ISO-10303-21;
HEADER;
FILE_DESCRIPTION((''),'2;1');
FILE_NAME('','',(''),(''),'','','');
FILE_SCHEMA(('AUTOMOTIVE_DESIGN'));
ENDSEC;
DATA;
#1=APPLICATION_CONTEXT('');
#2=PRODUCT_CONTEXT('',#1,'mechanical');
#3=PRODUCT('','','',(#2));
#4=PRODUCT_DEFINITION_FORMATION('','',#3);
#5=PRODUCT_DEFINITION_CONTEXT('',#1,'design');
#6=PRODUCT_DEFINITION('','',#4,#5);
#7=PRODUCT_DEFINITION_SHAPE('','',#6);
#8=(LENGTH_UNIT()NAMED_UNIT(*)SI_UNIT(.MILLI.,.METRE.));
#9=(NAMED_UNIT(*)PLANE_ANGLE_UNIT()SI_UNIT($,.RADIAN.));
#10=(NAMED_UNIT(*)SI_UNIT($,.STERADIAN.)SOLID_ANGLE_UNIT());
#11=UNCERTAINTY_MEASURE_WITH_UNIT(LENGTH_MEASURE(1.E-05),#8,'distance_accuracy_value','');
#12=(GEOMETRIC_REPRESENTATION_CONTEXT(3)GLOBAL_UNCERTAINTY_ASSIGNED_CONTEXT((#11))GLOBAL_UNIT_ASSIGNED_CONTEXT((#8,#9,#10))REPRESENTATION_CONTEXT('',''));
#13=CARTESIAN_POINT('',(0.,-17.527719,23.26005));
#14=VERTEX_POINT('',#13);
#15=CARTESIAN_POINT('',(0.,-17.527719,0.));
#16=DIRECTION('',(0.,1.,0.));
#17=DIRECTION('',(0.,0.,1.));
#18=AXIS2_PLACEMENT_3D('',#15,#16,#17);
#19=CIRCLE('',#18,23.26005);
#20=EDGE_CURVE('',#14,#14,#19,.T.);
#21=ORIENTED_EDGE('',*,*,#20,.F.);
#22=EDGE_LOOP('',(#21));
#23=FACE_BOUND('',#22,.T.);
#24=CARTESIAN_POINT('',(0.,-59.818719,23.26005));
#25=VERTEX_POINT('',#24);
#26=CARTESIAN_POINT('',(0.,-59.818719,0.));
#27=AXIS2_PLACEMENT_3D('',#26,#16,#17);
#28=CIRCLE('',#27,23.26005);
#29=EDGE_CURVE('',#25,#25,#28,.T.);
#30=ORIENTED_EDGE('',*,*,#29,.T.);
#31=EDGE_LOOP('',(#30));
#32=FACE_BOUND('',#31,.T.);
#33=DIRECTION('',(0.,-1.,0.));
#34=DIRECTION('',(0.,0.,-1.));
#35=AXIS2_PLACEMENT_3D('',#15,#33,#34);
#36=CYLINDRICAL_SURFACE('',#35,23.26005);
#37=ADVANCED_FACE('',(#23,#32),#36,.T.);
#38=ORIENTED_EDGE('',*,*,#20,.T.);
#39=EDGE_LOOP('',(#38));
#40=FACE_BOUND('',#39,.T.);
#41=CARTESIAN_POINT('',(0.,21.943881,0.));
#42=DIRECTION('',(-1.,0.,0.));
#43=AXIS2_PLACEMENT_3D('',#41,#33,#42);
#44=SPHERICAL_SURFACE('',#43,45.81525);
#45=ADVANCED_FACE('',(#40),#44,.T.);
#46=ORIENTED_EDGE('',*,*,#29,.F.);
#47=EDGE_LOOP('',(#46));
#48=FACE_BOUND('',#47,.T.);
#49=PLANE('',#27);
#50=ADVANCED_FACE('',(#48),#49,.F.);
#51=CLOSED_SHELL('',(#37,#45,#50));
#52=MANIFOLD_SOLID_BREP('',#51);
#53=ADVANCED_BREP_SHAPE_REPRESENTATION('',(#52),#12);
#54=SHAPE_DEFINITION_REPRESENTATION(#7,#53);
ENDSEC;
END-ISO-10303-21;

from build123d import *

# Parameters (mm, degrees)
SKETCH1_R          = 4.191
BASE_EXTRUDE_DEPTH = 7.62
SCALE1_SCALE       = 5.55


with BuildPart() as part:
    # Sketch1 → Base-Extrude (new body)
    with BuildSketch(Plane(origin=(0, 0, 0), x_dir=(1, 0, 0), z_dir=(0, 1, 0))):
        Circle(SKETCH1_R)
    extrude(amount=BASE_EXTRUDE_DEPTH)

    # Sketch2 → Boss-Revolve1 (revolve)
    with BuildSketch(Plane.XY):
        with BuildLine():
            Line((0, 22.987), (0, 6.477))
            ThreePointArc((0, 6.477), (8.255, 14.732), (0, 22.987))
        make_face()
    revolve(axis=Axis((0, 0, 0), (0, 1, 0)))


with BuildPart() as part_1:
    # Scale1: scaled about (0, 13.146971179, 0)
    add(part.part.scale(SCALE1_SCALE).moved(Location((0, -59.818718864, 0))))


solid = part_1.part
